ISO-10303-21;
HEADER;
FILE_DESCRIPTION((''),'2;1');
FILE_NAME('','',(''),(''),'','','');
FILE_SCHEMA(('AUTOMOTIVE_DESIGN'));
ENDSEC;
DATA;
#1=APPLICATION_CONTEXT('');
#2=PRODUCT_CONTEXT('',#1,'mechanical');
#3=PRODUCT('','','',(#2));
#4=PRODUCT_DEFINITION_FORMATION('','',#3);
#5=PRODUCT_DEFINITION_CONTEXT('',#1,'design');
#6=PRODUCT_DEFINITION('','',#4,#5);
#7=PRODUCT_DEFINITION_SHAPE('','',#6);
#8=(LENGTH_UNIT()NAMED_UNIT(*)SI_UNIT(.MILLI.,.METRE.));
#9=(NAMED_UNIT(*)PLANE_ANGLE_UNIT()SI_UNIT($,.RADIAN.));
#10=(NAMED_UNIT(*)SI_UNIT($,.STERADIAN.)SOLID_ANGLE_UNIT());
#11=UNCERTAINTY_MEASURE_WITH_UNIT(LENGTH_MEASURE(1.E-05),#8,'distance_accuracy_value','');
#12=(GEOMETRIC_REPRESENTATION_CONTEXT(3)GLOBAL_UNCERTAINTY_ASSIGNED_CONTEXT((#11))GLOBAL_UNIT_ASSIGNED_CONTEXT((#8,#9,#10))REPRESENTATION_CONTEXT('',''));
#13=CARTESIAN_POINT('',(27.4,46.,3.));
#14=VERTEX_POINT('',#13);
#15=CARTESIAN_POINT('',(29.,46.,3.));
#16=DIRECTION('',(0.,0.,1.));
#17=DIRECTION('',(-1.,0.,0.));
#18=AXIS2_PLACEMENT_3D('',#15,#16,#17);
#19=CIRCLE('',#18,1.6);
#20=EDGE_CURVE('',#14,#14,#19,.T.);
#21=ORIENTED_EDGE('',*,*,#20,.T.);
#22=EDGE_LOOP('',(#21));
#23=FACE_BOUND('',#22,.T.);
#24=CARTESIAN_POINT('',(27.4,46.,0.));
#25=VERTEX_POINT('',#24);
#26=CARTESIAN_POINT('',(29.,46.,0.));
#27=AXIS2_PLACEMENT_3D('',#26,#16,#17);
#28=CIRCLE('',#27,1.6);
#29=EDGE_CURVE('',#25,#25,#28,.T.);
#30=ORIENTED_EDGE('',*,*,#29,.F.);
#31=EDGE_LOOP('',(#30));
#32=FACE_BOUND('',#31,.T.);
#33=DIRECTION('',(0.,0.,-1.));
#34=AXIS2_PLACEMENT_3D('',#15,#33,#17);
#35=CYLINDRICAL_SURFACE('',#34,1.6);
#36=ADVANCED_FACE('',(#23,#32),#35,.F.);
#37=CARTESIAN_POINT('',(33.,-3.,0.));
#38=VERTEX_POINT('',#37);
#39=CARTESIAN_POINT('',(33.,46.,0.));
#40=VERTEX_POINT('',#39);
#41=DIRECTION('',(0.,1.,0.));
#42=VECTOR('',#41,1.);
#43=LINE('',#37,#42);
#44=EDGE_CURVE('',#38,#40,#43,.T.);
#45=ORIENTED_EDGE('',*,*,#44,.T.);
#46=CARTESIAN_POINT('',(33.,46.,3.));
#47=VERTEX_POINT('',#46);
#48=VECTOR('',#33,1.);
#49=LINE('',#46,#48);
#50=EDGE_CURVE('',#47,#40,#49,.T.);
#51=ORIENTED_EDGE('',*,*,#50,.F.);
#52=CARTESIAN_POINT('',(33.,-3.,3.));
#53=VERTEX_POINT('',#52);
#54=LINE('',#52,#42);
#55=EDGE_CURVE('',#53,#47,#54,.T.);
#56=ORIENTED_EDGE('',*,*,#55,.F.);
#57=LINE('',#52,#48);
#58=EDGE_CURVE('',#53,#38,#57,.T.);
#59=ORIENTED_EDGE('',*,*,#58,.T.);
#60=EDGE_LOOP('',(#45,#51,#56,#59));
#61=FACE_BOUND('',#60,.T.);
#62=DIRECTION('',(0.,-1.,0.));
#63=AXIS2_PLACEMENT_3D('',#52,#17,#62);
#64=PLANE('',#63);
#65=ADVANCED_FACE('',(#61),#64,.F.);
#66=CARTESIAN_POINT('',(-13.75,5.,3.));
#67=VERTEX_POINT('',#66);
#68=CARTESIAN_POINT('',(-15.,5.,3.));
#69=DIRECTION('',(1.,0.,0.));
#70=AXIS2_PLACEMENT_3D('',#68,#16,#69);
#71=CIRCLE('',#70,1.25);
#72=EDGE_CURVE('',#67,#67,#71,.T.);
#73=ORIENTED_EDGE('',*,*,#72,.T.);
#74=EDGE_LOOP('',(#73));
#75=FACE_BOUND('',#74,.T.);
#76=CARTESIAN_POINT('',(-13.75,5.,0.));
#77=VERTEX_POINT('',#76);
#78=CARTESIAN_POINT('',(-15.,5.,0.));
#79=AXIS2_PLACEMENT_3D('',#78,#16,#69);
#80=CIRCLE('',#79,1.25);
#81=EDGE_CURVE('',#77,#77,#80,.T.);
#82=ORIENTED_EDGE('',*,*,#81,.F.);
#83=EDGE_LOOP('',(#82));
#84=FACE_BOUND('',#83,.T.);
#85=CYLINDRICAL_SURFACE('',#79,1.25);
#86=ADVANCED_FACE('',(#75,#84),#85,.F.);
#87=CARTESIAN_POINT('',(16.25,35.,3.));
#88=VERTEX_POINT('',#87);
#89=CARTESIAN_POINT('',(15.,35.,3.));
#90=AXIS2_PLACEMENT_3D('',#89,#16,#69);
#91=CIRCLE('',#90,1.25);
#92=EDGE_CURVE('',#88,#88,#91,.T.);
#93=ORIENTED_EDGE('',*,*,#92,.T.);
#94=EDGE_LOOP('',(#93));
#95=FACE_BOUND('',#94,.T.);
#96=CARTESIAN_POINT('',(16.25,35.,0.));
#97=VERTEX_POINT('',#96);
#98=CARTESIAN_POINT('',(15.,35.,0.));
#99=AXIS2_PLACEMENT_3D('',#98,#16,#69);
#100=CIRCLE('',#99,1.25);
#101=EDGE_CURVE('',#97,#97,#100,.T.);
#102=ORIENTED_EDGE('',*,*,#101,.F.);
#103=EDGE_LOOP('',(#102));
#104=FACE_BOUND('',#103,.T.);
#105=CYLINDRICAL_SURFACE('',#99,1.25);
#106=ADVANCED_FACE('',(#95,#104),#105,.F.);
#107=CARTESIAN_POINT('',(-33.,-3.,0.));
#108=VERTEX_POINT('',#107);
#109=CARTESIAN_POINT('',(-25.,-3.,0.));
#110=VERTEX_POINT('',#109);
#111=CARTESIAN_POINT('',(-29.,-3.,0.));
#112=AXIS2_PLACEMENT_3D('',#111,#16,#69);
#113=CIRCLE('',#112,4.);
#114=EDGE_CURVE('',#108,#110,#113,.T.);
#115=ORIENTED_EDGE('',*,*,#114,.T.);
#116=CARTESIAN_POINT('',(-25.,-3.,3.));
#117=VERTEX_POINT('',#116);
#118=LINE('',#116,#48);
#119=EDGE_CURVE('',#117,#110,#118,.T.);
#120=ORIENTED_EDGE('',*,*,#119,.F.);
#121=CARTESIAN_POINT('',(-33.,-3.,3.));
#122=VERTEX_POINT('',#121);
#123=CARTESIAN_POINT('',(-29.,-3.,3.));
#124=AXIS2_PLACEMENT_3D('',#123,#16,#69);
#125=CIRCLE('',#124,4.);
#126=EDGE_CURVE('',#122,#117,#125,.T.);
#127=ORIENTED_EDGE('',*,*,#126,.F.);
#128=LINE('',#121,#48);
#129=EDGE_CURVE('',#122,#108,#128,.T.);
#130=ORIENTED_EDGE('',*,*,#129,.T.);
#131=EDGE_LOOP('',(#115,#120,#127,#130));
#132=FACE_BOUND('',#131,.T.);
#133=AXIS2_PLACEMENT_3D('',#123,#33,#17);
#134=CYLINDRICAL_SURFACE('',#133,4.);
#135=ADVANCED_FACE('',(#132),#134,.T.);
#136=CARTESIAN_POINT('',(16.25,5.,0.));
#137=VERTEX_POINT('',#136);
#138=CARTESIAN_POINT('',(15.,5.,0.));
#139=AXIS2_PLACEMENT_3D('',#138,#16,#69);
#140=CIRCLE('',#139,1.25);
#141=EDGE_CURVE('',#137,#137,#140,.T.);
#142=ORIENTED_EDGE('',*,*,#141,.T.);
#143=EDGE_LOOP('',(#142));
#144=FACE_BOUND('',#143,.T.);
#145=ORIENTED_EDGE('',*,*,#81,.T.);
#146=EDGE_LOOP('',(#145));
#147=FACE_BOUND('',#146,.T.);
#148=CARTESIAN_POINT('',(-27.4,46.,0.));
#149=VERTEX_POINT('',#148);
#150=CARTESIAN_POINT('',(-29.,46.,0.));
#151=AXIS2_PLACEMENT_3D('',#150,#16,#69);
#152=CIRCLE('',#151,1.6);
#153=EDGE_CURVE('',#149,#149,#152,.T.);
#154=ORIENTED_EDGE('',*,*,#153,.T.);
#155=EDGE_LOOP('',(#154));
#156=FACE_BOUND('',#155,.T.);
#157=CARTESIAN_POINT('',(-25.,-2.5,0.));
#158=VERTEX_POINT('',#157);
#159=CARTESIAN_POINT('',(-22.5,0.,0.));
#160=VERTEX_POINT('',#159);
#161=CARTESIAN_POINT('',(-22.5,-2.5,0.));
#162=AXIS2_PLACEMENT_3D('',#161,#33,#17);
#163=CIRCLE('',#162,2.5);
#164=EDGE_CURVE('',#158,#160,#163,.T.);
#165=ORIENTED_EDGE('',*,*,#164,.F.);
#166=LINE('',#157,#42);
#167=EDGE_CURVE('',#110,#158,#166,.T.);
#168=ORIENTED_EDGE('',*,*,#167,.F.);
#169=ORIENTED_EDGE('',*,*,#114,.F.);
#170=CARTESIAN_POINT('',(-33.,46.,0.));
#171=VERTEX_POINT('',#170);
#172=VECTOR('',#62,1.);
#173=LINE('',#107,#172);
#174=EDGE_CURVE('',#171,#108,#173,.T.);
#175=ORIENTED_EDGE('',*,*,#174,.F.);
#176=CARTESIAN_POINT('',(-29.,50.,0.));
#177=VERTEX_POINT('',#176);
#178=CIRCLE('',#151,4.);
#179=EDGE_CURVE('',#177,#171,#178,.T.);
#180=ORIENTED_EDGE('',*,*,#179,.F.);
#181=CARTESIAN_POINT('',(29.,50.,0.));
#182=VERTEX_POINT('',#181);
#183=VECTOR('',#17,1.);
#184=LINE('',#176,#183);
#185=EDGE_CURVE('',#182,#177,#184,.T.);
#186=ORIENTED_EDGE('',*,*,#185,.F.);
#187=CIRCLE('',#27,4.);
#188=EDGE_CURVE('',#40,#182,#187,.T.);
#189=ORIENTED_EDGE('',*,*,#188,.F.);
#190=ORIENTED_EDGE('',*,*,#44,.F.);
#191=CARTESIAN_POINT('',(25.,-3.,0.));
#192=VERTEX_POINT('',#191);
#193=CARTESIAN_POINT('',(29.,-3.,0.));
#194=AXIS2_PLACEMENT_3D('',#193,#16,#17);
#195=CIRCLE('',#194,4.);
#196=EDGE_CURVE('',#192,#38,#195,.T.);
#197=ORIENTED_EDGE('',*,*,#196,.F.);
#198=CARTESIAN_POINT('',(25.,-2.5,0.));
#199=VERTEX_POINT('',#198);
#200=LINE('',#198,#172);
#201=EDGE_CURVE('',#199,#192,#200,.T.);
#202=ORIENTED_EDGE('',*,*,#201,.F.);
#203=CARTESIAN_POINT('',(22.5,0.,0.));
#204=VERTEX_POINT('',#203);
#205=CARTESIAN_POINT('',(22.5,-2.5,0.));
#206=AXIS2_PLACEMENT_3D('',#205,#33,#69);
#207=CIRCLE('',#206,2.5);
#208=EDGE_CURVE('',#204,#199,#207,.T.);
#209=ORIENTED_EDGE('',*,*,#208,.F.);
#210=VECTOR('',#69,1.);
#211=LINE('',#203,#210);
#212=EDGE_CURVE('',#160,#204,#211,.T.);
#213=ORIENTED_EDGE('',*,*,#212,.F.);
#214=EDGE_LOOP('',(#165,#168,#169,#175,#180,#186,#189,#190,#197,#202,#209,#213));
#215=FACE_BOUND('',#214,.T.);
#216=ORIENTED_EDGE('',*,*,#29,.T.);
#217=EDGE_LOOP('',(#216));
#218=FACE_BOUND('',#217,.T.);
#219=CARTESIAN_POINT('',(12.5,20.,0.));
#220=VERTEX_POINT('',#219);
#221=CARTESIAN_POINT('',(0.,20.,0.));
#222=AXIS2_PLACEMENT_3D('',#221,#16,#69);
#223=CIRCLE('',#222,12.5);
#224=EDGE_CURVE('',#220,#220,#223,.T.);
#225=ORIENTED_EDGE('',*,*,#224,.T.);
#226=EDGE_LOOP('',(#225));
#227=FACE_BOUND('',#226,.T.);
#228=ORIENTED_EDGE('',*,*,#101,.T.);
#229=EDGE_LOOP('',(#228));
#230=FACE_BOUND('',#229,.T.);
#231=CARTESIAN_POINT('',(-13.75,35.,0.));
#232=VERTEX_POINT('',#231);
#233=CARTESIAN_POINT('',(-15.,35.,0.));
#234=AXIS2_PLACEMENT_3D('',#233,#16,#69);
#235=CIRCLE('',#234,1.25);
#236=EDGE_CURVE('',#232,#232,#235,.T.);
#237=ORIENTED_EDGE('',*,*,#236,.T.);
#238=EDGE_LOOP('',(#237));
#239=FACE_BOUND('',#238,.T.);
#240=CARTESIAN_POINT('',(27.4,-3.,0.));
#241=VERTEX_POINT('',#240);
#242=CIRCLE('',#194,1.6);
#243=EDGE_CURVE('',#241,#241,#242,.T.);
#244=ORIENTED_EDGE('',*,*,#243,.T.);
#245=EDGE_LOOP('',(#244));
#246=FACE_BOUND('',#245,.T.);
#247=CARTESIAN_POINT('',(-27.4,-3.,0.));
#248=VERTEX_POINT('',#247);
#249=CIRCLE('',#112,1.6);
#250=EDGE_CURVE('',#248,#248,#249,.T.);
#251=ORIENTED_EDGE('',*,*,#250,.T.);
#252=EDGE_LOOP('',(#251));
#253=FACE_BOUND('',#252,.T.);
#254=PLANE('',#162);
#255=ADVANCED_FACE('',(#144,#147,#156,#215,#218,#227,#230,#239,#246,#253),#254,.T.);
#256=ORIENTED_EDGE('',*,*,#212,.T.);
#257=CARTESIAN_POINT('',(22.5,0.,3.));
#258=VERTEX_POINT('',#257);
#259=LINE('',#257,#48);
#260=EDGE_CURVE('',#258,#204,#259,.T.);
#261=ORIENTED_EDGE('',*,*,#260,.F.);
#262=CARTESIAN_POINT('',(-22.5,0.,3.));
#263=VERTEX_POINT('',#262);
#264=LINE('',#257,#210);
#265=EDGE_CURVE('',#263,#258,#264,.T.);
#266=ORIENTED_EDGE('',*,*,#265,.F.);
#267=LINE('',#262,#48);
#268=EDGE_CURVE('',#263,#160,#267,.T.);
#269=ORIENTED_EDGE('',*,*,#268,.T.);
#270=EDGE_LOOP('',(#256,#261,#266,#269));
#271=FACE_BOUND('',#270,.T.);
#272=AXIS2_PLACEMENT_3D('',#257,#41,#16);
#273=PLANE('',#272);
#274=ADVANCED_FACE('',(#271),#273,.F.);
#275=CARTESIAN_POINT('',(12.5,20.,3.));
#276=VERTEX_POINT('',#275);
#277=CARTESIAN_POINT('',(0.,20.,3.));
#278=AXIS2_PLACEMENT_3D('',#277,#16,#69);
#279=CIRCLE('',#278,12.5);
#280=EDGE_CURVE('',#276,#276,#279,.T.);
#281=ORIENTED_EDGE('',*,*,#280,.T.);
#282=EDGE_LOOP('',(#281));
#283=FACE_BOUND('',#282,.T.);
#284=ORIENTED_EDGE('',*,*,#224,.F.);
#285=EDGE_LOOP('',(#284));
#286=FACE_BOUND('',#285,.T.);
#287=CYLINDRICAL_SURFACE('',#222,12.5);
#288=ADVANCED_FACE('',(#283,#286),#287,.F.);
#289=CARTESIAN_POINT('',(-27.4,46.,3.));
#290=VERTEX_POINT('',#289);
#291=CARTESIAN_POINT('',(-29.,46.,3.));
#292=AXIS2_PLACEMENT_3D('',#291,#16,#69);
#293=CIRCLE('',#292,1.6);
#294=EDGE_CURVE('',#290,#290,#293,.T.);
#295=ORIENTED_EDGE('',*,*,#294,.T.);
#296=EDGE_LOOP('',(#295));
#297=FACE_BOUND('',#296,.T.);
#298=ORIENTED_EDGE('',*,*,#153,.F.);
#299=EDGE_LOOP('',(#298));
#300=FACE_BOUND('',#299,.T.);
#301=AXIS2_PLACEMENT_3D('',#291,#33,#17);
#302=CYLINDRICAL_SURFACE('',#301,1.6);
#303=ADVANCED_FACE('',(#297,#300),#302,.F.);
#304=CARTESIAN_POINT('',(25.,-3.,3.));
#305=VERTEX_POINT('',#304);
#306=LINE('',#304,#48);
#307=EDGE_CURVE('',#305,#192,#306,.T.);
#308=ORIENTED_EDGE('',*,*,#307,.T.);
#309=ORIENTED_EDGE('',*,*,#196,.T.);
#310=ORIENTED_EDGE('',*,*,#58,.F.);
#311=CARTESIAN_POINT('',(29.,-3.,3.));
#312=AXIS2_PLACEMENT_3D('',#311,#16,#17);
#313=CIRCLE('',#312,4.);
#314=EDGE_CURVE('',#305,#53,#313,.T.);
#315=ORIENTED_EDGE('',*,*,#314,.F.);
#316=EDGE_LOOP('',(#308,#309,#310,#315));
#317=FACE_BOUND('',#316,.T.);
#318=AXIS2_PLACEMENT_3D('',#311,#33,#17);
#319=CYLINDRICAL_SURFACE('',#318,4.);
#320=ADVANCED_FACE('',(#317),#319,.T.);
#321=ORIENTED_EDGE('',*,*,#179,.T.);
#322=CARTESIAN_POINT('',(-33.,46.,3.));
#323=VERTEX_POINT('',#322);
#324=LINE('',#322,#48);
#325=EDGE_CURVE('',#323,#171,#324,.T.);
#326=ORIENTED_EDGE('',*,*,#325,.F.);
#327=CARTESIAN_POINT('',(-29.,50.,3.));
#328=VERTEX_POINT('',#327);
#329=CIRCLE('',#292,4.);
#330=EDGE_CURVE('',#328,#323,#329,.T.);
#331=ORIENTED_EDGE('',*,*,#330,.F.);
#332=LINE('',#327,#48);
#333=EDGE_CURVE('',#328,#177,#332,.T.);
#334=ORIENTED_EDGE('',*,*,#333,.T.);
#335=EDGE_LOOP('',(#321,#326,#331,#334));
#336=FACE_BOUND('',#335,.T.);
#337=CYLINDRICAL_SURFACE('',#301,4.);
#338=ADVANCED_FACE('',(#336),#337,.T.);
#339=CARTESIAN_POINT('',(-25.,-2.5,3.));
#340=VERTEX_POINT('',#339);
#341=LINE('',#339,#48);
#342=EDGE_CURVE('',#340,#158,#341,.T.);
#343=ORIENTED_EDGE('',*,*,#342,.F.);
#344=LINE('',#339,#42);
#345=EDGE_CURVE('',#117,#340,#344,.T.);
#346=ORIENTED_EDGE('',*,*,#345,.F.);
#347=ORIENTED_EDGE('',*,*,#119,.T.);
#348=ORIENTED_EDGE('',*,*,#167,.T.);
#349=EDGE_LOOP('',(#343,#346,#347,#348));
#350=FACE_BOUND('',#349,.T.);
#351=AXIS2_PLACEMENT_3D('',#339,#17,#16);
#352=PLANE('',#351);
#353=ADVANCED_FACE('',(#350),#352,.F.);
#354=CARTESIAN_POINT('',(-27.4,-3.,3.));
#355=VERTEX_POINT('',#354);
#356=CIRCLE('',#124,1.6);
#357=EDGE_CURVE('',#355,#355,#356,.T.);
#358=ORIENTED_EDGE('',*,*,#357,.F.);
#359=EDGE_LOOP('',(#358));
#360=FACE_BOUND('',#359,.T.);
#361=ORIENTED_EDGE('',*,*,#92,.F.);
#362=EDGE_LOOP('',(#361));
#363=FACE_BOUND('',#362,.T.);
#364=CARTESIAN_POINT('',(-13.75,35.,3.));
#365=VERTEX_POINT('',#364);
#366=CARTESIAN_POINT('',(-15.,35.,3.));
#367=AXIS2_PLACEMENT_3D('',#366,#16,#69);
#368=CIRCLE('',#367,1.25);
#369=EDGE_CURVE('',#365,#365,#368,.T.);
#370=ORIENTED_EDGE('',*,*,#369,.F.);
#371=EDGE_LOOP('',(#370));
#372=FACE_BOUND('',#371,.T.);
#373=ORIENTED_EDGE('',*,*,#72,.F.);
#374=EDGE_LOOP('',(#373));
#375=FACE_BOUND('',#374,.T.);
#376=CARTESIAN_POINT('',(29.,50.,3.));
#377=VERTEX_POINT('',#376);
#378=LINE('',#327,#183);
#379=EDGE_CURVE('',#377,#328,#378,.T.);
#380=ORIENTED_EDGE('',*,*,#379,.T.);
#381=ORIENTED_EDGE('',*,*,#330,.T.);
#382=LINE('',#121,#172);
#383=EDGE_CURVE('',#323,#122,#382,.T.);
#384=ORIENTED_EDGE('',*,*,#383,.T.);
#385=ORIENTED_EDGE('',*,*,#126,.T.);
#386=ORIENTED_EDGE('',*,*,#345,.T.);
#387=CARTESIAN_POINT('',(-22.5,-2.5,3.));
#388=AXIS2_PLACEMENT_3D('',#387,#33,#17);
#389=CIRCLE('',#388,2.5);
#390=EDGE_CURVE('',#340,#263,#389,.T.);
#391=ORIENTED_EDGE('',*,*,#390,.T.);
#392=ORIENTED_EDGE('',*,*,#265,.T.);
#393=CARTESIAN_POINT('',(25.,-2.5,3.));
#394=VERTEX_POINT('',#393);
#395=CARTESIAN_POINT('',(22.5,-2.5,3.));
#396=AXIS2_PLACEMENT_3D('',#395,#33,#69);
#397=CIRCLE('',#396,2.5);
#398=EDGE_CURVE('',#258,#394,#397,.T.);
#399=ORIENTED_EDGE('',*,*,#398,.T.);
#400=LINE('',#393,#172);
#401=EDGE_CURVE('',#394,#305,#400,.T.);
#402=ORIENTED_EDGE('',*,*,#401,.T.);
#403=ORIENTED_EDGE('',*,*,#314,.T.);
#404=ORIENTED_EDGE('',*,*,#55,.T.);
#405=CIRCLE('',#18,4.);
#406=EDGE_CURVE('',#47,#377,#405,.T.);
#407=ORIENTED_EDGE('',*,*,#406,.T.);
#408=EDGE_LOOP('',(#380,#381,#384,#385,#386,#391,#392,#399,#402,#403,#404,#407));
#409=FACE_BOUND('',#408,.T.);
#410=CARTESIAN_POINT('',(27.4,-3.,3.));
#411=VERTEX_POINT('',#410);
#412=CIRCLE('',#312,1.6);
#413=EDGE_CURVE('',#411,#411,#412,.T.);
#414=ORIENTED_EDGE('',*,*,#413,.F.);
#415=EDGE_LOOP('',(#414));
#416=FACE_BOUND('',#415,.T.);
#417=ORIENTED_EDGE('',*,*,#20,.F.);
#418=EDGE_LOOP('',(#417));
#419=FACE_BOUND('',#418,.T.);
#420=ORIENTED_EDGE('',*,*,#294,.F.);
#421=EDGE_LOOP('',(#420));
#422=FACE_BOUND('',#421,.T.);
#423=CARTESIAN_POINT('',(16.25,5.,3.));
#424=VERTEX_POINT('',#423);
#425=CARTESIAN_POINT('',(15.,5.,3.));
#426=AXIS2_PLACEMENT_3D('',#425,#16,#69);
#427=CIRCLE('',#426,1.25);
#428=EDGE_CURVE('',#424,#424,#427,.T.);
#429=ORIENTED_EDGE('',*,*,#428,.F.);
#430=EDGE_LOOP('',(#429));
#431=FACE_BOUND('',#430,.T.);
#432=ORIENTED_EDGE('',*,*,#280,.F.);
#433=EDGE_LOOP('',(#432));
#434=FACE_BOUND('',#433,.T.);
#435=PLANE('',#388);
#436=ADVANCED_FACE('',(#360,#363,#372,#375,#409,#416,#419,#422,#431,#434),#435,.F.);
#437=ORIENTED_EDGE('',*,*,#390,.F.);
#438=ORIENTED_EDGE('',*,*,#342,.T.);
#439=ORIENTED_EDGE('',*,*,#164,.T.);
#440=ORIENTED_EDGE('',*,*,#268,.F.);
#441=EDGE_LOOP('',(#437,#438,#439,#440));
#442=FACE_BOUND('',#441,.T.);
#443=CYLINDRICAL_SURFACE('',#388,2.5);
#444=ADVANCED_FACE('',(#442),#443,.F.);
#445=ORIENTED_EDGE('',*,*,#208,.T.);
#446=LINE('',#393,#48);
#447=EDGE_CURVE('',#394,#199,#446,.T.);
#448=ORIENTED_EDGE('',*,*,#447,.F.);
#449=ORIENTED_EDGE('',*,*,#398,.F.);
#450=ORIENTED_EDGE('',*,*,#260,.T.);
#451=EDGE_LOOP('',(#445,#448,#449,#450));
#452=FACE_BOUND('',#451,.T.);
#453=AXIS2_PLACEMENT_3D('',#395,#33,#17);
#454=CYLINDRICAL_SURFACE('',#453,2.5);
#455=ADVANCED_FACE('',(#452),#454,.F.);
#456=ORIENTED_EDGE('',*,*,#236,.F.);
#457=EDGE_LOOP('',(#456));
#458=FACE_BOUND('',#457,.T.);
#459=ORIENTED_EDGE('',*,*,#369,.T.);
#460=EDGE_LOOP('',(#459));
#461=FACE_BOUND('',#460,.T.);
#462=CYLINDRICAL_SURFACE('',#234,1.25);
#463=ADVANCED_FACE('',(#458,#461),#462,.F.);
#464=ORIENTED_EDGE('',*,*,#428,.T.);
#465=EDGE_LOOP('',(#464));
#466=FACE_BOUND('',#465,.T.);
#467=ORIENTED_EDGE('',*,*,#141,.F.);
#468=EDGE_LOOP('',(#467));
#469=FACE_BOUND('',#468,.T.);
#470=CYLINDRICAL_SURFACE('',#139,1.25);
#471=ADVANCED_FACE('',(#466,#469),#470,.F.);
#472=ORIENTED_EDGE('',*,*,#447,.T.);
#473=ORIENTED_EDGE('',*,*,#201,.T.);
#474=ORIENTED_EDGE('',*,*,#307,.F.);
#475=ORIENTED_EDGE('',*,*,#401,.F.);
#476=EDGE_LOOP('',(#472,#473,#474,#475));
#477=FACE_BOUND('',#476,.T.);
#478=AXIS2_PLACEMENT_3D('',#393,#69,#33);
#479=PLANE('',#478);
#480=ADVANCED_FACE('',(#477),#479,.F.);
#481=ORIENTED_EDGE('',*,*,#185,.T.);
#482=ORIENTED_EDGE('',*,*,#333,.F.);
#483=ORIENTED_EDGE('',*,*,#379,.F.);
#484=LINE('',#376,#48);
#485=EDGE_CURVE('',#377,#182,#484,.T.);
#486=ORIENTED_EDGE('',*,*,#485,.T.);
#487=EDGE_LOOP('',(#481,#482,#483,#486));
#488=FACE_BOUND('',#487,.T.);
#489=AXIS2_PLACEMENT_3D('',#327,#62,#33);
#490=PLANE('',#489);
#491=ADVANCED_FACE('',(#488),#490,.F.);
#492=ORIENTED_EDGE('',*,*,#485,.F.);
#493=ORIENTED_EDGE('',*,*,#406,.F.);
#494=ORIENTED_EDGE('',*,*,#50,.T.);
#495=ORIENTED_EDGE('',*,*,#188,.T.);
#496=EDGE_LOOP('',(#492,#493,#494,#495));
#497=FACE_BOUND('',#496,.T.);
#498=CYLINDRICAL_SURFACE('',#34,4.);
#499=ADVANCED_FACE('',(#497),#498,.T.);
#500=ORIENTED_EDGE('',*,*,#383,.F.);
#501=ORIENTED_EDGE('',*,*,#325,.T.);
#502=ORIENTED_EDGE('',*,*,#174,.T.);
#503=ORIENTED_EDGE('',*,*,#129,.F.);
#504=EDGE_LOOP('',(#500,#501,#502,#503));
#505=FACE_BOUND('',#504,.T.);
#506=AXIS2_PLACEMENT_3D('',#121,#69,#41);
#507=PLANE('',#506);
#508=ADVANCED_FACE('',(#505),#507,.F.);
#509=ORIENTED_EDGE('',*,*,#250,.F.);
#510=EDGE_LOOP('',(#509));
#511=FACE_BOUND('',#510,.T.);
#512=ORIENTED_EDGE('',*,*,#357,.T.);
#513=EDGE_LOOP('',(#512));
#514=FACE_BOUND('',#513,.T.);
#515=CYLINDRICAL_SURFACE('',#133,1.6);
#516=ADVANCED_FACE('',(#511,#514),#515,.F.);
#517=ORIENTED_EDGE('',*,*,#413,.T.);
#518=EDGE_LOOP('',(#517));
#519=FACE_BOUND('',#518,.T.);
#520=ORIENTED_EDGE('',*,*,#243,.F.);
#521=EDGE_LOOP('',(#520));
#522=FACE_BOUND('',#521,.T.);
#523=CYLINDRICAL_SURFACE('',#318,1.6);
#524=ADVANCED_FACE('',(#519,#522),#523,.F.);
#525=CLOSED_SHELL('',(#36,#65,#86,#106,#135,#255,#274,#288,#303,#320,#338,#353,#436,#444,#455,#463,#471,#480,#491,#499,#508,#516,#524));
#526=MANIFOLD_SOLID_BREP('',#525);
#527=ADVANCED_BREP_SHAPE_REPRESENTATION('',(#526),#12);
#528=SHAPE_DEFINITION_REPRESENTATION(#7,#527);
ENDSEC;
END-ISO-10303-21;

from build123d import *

# Parameters (mm, degrees)
SKETCH_1_R          = 1.6
EXTRUDE_1_DEPTH     = 3
SKETCH_2_R          = 1.25
SKETCH_2_R_2        = 12.5
CUT_EXTRUDE_1_DEPTH = 60.983331018


with BuildPart() as part:
    # ｽｹｯﾁ1 → ﾎﾞｽ - 押し出し1 (new body)
    with BuildSketch(Plane.XY):
        with BuildLine():
            Line((22.5, 0), (-22.5, 0))
            ThreePointArc((-22.5, 0), (-24.267766953, -0.732233047), (-25, -2.5))
            Line((-25, -2.5), (-25, -3))
            ThreePointArc((-25, -3), (-29, -7), (-33, -3))
            Line((-33, -3), (-33, 46))
            ThreePointArc((-33, 46), (-31.828427125, 48.828427125), (-29, 50))
            Line((-29, 50), (29, 50))
            ThreePointArc((29, 50), (31.828427125, 48.828427125), (33, 46))
            Line((33, 46), (33, -3))
            ThreePointArc((33, -3), (29, -7), (25, -3))
            Line((25, -3), (25, -2.5))
            ThreePointArc((25, -2.5), (24.267766953, -0.732233047), (22.5, 0))
        make_face()
        with Locations((-29, -3)):
            Circle(SKETCH_1_R, mode=Mode.SUBTRACT)
        with Locations((-29, 46)):
            Circle(SKETCH_1_R, mode=Mode.SUBTRACT)
        with Locations(Location((29, 46, 0), (0, 0, 180))):
            Circle(SKETCH_1_R, mode=Mode.SUBTRACT)
        with Locations(Location((29, -3, 0), (0, 0, 180))):
            Circle(SKETCH_1_R, mode=Mode.SUBTRACT)
    extrude(amount=EXTRUDE_1_DEPTH)

    # ｽｹｯﾁ2 → ｶｯﾄ - 押し出し1 (cut, through all)
    with BuildSketch(Plane.XY.offset(3)):
        with Locations((-15, 35)):
            Circle(SKETCH_2_R)
        with Locations((-15, 5)):
            Circle(SKETCH_2_R)
        with Locations((15, 5)):
            Circle(SKETCH_2_R)
        with Locations((15, 35)):
            Circle(SKETCH_2_R)
        with Locations((0, 20)):
            Circle(SKETCH_2_R_2)
    extrude(amount=-CUT_EXTRUDE_1_DEPTH, mode=Mode.SUBTRACT)


solid = part.part
